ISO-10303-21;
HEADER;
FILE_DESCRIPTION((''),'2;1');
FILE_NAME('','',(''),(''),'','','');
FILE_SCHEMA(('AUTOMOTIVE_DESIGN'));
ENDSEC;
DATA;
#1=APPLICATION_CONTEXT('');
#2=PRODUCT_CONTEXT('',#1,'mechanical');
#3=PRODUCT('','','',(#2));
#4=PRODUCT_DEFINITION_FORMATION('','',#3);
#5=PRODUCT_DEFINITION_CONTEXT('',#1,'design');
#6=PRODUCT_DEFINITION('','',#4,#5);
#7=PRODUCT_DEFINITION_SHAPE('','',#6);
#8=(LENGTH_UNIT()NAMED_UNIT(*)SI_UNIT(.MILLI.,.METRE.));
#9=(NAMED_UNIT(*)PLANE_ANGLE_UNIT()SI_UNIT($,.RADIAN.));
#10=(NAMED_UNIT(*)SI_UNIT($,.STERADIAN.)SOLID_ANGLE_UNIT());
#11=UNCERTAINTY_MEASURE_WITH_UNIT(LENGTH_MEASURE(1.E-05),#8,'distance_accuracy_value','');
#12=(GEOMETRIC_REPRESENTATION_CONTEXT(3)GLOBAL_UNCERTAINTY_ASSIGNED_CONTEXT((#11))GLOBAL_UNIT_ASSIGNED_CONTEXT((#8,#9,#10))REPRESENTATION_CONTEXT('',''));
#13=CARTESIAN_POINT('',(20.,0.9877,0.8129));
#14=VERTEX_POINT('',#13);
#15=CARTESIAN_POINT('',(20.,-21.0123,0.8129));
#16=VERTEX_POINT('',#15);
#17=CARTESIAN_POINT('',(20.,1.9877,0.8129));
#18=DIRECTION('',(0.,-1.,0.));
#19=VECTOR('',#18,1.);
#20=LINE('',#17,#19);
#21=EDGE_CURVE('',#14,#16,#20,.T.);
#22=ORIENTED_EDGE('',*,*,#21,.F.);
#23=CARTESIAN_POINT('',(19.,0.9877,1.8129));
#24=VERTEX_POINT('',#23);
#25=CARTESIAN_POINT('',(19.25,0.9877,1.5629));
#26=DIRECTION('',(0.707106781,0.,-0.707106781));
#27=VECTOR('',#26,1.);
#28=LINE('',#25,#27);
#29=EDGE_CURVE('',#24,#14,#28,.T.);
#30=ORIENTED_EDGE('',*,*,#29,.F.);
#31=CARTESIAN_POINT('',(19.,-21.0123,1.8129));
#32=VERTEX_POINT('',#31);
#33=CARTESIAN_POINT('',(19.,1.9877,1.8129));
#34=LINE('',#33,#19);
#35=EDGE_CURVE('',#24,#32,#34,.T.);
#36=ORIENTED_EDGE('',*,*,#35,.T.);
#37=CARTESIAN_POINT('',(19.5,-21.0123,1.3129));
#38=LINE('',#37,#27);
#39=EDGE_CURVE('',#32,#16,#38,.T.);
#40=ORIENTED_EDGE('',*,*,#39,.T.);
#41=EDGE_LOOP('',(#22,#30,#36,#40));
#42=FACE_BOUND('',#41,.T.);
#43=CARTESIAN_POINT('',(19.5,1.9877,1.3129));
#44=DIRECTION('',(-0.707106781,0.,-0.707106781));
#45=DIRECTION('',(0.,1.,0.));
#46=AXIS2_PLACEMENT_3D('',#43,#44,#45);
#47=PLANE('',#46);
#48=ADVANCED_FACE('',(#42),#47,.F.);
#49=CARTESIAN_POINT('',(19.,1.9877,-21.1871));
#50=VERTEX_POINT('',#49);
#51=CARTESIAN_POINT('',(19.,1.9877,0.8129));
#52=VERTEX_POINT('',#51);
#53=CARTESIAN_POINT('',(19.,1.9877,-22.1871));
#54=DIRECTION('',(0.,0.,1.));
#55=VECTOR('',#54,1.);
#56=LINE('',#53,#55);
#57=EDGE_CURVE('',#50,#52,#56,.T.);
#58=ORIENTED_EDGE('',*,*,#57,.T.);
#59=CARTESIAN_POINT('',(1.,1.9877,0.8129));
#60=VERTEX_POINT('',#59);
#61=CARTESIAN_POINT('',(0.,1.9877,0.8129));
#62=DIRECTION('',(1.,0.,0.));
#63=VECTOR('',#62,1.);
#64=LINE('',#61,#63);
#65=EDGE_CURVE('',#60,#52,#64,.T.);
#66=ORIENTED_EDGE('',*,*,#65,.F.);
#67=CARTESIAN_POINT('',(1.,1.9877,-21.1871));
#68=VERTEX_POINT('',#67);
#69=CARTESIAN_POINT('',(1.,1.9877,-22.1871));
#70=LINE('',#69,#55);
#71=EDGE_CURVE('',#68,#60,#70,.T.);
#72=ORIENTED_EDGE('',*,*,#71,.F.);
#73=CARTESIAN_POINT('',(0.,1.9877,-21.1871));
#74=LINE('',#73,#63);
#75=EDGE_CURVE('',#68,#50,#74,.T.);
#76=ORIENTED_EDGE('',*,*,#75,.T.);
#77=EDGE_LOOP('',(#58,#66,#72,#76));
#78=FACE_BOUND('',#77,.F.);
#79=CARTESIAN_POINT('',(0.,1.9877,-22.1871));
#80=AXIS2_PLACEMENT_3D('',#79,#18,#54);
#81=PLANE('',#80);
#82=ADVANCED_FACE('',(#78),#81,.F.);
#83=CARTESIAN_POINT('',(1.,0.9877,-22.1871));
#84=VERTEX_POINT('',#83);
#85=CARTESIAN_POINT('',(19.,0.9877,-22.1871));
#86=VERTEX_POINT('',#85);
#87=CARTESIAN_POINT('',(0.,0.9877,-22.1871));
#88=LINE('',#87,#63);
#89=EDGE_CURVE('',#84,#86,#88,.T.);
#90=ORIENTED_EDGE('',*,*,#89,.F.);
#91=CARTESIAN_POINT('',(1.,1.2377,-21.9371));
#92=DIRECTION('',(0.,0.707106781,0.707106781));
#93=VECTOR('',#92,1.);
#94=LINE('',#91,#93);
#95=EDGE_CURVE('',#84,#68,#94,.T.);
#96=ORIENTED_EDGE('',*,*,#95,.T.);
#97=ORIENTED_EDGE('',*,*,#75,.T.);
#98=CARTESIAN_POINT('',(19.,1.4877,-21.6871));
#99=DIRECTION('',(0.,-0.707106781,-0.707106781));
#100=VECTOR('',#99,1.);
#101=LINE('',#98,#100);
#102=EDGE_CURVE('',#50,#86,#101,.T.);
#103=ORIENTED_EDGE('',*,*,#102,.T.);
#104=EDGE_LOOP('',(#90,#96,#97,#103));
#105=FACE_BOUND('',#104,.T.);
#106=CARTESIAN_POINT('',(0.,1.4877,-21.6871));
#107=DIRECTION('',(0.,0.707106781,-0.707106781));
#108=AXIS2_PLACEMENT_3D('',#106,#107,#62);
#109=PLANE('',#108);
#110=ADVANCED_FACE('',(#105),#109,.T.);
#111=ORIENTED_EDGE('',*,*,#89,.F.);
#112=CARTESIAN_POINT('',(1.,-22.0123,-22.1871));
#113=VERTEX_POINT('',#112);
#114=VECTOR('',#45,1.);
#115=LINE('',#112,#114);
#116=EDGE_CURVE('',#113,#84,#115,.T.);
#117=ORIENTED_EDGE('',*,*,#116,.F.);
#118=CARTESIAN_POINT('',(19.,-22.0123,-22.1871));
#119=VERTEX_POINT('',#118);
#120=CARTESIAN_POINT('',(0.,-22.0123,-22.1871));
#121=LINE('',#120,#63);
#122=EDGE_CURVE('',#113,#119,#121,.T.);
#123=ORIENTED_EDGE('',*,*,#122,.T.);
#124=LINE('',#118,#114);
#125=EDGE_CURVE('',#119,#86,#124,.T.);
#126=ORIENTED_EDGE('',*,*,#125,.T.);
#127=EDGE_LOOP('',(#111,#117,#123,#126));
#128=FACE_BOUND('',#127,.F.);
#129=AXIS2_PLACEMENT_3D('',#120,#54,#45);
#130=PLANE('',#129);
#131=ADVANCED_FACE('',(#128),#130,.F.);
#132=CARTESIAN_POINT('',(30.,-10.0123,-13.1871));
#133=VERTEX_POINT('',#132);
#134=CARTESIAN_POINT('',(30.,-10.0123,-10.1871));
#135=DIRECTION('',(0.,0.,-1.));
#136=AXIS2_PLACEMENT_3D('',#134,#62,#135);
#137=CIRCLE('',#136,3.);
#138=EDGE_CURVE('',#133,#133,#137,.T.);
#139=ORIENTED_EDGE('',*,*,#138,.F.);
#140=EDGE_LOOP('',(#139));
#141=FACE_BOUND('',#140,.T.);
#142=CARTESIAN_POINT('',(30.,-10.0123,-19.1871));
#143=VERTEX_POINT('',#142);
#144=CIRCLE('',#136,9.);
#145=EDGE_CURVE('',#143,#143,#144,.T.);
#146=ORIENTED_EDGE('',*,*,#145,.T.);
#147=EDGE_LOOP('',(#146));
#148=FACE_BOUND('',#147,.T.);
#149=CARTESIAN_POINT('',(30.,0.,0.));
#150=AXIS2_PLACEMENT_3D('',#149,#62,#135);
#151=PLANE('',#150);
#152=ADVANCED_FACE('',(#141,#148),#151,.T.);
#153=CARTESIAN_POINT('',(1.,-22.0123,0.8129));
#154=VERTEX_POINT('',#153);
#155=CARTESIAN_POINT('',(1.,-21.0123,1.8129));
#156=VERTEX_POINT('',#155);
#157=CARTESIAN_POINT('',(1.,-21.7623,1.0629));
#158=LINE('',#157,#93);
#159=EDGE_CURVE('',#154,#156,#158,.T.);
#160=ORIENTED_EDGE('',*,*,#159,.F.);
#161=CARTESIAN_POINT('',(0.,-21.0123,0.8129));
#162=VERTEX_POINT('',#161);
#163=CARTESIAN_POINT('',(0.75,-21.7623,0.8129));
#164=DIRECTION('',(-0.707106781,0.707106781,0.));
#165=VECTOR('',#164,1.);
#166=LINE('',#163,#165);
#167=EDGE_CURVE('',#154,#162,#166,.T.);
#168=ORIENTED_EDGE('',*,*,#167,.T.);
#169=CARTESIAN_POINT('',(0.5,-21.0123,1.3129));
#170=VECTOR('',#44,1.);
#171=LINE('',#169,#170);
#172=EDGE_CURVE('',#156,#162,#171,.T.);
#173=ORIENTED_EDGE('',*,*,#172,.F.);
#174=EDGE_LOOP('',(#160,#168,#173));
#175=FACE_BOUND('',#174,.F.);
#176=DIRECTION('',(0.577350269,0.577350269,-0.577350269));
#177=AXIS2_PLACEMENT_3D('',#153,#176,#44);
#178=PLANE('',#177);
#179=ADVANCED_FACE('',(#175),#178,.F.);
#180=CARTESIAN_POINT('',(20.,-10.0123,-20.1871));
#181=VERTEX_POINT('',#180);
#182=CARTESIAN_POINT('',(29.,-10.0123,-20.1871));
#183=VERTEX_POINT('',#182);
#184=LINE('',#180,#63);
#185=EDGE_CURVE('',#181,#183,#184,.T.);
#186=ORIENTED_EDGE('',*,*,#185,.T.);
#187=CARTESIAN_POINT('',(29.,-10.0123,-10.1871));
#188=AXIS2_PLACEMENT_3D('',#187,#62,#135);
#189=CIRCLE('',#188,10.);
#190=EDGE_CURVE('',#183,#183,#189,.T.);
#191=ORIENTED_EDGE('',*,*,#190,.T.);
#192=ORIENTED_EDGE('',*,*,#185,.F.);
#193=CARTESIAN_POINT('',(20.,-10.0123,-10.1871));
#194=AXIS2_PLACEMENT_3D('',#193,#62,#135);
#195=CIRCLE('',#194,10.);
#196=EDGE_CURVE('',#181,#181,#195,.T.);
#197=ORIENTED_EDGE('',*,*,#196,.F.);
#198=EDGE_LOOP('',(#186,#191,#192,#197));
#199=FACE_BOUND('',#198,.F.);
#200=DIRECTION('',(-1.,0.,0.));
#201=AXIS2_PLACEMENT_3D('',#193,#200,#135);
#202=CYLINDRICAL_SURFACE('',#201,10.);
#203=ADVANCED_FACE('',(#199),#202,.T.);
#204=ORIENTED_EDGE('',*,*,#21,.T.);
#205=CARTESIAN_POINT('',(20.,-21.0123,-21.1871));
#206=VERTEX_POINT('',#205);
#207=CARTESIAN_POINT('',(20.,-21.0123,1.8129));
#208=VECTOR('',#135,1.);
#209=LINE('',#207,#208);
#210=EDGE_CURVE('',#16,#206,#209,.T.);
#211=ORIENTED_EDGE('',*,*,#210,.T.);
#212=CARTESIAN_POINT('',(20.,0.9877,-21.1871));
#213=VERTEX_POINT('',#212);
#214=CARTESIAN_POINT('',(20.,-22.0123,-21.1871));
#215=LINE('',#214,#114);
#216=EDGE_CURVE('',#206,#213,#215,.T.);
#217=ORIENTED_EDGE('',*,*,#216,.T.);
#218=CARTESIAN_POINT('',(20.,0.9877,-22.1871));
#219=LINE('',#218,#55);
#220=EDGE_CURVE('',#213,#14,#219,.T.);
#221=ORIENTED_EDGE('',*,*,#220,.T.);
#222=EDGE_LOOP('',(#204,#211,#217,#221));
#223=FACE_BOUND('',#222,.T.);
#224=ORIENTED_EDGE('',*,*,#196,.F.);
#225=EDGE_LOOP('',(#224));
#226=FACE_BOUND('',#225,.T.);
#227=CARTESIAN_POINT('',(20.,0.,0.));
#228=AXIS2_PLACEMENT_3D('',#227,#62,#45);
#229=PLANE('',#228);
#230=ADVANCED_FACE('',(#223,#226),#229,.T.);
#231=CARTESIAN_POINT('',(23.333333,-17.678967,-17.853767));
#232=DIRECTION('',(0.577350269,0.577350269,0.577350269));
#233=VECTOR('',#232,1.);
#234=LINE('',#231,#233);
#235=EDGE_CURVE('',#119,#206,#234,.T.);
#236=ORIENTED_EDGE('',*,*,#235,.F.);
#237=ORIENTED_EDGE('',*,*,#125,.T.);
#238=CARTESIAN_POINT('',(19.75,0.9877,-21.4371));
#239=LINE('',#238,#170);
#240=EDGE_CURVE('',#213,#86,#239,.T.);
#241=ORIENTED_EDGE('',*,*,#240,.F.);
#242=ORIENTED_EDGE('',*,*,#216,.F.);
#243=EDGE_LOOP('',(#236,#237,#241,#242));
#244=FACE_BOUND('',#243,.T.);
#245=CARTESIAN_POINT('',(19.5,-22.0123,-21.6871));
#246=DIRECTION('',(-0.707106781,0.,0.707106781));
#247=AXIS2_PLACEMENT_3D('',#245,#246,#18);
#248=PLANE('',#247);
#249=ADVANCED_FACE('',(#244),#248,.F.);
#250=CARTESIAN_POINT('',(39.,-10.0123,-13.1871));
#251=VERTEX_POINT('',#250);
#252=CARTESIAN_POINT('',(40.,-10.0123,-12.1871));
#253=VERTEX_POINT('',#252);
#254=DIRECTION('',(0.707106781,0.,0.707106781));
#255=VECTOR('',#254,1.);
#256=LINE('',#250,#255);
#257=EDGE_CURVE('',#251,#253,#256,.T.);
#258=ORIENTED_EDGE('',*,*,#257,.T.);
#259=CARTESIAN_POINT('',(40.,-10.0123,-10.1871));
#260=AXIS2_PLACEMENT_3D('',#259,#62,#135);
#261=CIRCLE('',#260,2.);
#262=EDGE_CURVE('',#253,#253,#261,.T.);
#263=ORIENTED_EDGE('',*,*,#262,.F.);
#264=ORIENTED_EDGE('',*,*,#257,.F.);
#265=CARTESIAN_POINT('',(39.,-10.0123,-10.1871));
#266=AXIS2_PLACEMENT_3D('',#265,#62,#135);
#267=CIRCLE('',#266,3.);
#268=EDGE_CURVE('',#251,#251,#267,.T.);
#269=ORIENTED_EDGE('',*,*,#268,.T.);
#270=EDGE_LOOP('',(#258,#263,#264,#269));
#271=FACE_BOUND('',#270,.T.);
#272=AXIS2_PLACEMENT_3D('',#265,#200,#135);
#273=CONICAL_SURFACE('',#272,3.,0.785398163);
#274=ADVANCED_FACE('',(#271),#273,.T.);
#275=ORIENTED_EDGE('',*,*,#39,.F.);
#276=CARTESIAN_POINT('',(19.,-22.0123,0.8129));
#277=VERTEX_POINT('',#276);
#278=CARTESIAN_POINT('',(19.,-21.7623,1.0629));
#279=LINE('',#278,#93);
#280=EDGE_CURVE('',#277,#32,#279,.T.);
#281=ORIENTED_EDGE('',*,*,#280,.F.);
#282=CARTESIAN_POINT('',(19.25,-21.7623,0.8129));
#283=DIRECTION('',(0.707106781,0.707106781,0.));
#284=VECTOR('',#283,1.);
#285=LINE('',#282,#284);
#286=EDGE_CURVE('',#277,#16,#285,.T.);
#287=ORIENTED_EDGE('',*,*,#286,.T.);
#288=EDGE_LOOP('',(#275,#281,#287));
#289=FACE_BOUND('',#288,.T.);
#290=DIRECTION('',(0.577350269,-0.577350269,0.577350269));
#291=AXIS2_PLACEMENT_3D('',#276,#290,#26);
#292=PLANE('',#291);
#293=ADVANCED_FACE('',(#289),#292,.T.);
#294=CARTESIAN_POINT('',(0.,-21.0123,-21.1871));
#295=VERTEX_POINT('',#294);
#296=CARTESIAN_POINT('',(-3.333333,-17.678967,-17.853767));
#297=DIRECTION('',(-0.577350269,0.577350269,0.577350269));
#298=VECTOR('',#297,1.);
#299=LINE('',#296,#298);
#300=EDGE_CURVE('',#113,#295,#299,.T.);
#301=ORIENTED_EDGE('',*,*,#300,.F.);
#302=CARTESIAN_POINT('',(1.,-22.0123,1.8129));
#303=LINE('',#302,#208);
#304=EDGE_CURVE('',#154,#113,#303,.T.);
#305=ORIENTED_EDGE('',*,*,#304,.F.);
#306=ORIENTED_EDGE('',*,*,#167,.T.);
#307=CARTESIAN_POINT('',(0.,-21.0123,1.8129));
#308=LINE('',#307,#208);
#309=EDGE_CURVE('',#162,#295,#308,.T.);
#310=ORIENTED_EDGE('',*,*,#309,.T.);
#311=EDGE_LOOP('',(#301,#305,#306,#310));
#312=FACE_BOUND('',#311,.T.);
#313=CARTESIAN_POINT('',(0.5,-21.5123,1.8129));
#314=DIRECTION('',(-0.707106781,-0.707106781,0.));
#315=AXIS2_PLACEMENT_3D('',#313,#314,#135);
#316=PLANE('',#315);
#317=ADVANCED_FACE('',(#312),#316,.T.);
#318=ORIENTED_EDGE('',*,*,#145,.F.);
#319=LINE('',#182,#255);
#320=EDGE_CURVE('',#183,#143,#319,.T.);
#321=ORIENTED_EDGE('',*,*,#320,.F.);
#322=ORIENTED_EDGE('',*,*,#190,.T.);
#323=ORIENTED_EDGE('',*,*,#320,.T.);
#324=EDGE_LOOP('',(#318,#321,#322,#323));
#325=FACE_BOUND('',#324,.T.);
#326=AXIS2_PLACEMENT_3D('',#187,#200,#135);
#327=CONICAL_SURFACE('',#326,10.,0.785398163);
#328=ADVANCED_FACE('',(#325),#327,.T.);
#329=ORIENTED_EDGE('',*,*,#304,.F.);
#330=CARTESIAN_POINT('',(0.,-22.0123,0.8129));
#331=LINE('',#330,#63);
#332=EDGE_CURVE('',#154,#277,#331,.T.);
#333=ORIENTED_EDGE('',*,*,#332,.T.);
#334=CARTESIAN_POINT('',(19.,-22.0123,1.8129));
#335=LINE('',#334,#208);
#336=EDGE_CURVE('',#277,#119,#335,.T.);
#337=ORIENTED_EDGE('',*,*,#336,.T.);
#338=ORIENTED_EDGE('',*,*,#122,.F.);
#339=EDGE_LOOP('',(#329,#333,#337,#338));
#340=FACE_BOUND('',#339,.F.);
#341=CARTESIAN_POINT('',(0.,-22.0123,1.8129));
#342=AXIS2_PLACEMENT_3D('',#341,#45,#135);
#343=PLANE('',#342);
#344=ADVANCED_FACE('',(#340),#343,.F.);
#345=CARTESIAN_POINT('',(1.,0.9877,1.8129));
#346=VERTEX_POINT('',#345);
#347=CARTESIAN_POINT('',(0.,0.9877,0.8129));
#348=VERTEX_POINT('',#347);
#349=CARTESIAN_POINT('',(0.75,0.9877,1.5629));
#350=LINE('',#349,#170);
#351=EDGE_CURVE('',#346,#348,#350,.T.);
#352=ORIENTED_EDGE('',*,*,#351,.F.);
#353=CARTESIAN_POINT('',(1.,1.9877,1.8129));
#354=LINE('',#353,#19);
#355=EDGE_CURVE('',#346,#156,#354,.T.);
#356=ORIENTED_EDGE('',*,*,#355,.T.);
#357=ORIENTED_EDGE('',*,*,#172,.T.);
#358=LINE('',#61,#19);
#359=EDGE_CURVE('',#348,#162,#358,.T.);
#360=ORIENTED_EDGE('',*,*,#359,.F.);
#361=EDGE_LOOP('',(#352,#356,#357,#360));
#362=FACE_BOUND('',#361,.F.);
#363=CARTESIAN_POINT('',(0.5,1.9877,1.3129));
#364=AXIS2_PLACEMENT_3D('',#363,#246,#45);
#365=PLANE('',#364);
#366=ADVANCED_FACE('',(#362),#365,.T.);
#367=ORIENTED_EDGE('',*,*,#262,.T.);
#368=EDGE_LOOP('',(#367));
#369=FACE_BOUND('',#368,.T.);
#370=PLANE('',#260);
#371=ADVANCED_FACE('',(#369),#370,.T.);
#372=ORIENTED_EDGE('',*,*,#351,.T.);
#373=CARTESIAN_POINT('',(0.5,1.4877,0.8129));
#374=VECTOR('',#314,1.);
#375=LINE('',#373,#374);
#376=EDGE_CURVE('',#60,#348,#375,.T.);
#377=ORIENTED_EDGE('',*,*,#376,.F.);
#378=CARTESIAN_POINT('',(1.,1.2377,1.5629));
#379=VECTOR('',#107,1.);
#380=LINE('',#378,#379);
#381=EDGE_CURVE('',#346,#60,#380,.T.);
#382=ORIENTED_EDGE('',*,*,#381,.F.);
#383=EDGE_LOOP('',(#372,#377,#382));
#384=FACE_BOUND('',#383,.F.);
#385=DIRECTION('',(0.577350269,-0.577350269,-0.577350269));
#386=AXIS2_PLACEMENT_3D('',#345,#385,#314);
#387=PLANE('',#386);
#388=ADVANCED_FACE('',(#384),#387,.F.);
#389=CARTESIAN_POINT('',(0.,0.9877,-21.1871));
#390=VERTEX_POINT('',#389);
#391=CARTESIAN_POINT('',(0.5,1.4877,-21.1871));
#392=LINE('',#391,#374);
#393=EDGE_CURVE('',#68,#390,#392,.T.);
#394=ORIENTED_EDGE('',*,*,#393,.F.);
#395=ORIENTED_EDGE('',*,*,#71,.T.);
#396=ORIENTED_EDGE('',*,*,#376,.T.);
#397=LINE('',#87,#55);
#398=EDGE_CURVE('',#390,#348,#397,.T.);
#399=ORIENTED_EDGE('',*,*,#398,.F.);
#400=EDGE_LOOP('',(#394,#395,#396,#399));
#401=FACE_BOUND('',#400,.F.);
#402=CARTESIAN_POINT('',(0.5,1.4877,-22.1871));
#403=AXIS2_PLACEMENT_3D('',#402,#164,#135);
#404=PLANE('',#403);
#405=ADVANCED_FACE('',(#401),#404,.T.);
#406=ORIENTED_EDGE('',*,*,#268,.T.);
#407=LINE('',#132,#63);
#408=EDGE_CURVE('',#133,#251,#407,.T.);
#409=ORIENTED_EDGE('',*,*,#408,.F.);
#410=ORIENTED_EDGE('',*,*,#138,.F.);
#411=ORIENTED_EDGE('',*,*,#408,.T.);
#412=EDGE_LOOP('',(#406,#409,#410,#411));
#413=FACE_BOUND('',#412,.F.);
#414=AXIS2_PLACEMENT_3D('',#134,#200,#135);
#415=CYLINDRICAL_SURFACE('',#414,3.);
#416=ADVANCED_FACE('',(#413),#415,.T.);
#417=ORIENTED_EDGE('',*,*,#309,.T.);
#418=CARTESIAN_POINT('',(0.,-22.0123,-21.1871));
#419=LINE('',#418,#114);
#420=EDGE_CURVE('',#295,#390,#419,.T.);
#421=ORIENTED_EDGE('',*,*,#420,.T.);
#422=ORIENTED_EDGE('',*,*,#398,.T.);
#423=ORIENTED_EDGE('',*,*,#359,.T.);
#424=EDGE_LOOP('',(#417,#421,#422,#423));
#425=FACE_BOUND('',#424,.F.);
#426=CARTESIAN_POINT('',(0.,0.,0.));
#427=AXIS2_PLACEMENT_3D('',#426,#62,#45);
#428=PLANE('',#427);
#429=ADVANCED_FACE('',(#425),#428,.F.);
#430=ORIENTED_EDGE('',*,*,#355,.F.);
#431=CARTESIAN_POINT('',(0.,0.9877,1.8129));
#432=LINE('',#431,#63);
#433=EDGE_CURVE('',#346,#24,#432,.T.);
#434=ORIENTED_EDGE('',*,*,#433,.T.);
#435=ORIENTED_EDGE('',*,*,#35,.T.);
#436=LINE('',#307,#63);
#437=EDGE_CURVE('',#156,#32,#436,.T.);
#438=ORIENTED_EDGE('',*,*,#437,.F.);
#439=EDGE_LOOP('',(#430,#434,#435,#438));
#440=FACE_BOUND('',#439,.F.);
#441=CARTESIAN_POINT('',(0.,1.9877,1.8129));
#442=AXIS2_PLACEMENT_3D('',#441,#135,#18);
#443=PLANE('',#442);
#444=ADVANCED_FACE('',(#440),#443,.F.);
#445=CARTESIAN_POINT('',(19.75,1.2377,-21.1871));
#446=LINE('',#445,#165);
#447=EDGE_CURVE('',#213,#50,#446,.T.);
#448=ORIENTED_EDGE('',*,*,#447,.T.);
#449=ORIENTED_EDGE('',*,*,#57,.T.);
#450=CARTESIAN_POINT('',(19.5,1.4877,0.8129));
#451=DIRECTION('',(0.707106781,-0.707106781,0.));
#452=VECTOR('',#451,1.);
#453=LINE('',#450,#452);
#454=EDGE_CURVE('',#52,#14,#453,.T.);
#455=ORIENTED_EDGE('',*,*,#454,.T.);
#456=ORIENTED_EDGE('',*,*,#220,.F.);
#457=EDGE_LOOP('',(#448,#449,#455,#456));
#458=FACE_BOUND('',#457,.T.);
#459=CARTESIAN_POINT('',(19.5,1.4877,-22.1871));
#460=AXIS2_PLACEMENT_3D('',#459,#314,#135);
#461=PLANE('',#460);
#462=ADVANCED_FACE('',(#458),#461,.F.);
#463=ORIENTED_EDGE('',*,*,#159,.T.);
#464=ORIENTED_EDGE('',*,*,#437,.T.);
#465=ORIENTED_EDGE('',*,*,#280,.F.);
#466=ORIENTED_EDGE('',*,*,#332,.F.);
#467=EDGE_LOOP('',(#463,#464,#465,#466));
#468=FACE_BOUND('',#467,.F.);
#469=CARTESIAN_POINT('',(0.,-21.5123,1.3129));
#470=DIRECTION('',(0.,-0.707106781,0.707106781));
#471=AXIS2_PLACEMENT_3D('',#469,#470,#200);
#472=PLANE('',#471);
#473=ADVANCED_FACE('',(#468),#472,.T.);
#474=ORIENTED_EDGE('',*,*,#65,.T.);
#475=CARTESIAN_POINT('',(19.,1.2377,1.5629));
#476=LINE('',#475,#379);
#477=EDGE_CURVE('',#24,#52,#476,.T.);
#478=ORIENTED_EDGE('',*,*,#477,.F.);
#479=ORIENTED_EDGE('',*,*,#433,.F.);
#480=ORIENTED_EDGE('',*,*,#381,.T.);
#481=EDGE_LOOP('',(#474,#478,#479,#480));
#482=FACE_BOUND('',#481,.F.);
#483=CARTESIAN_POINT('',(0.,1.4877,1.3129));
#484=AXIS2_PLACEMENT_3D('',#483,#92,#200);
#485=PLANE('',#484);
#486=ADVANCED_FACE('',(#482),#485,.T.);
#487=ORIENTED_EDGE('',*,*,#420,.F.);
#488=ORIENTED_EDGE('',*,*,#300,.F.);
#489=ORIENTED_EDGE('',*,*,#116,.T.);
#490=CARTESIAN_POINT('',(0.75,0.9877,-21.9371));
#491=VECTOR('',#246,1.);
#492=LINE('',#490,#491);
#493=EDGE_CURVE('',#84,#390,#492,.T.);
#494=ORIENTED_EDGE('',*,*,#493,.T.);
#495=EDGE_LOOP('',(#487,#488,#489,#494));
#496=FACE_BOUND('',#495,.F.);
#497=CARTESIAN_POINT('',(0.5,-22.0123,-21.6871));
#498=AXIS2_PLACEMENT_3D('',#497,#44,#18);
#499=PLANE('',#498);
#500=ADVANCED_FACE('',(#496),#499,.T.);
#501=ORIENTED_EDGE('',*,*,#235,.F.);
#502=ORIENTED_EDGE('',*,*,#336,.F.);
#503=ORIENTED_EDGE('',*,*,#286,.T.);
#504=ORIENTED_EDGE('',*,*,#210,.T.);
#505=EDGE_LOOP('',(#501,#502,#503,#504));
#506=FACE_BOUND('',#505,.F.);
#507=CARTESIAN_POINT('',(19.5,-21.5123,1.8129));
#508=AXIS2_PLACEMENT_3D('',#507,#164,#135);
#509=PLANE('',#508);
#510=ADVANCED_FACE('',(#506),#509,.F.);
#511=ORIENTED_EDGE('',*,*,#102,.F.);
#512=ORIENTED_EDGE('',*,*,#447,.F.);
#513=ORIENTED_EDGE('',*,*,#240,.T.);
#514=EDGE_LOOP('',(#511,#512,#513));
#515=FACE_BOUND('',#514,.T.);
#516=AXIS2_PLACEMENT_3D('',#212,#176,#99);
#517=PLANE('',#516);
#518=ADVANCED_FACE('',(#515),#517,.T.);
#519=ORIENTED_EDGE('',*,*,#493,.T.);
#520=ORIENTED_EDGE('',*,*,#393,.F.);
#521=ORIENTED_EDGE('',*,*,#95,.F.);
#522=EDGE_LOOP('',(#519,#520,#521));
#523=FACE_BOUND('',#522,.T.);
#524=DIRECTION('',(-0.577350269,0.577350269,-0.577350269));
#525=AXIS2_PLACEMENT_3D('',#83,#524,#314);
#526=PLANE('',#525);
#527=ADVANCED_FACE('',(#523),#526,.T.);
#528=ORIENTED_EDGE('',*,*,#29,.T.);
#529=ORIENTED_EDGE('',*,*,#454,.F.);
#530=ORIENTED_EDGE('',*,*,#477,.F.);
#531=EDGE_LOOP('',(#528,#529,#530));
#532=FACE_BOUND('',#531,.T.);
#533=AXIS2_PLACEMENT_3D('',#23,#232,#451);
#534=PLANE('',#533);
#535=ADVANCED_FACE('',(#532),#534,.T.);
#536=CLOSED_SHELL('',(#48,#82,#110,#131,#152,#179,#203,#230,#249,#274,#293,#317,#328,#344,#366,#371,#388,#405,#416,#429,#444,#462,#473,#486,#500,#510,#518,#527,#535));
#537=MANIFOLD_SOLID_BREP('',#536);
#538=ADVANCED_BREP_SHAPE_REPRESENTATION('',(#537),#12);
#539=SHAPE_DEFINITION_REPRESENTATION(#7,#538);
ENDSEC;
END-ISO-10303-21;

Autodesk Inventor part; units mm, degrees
ref_plane "YZ Plane" through (0, 0, 0) normal (1, 0, 0) x (0, 1, 0)
ref_plane "XZ Plane" through (0, 0, 0) normal (0, 1, 0) x (-1, 0, 0)
ref_plane "XY Plane" through (0, 0, 0) normal (0, 0, 1) x (1, 0, 0)
sketch "Sketch1" plane through (0, 0, 0) normal (0, 1, 0) x (-1, 0, 0)
  point P0 (0, 0)
sketch "Sketch2" plane through (0, 0, 0) normal (1, 0, 0) x (0, 1, 0)
  line L0 (1.9877, 1.8129) -> (-22.0123, 1.8129)
  line L1 (-22.0123, 1.8129) -> (-22.0123, -22.1871)
  line L2 (-22.0123, -22.1871) -> (1.9877, -22.1871)
  line L3 (1.9877, -22.1871) -> (1.9877, 1.8129)
  point P0 (0, 0)
extrude "Extrusion1" add sketch "Sketch2" along normal blind 20
sketch "Sketch3" plane through (20, 0, 0) normal (1, 0, 0) x (0, 0, -1)
  circle A0 centre (10.1871, -10.0123) radius 10
  line L0 (22.1871, 1.9877) -> (-1.8129, 1.9877) projected
  line L1 (-1.8129, 1.9877) -> (-1.8129, -22.0123) projected
  point P0 (0, 0)
extrude "Extrusion2" add sketch "Sketch3" along normal blind 10
sketch "Sketch4" plane through (30, -10.0123, -10.1871) normal (1, 0, 0) x (0, 0, -1)
  circle A0 centre (0, 0) radius 3
  point P0 (-10.1871, 10.0123)
extrude "Extrusion3" add sketch "Sketch4" along normal blind 10
chamfer "Chamfer1" distance 1 angle 45 13 edges at (0, 1.9877, -10.1871) (10, 1.9877, -22.1871) (20, 1.9877, -10.1871) (10, 1.9877, 1.8129) (20, -10.0123, 1.8129) (20, -10.0123, -22.1871) (30, -10.0123, -0.1871) (40, -10.0123, -7.1871) (0, -10.0123, 1.8129) (10, -22.0123, 1.8129) (20, -22.0123, -10.1871) (0, -10.0123, -22.1871) (0, -22.0123, -10.1871)
sketch "Sketch5" plane through (1, 1.9877, 0.8129) normal (0, 1, 0) x (1, 0, 0)
  point P0 (-1, 0.8129)
properties part number "motor(1 shaft)" material "Steel, Alloy"
